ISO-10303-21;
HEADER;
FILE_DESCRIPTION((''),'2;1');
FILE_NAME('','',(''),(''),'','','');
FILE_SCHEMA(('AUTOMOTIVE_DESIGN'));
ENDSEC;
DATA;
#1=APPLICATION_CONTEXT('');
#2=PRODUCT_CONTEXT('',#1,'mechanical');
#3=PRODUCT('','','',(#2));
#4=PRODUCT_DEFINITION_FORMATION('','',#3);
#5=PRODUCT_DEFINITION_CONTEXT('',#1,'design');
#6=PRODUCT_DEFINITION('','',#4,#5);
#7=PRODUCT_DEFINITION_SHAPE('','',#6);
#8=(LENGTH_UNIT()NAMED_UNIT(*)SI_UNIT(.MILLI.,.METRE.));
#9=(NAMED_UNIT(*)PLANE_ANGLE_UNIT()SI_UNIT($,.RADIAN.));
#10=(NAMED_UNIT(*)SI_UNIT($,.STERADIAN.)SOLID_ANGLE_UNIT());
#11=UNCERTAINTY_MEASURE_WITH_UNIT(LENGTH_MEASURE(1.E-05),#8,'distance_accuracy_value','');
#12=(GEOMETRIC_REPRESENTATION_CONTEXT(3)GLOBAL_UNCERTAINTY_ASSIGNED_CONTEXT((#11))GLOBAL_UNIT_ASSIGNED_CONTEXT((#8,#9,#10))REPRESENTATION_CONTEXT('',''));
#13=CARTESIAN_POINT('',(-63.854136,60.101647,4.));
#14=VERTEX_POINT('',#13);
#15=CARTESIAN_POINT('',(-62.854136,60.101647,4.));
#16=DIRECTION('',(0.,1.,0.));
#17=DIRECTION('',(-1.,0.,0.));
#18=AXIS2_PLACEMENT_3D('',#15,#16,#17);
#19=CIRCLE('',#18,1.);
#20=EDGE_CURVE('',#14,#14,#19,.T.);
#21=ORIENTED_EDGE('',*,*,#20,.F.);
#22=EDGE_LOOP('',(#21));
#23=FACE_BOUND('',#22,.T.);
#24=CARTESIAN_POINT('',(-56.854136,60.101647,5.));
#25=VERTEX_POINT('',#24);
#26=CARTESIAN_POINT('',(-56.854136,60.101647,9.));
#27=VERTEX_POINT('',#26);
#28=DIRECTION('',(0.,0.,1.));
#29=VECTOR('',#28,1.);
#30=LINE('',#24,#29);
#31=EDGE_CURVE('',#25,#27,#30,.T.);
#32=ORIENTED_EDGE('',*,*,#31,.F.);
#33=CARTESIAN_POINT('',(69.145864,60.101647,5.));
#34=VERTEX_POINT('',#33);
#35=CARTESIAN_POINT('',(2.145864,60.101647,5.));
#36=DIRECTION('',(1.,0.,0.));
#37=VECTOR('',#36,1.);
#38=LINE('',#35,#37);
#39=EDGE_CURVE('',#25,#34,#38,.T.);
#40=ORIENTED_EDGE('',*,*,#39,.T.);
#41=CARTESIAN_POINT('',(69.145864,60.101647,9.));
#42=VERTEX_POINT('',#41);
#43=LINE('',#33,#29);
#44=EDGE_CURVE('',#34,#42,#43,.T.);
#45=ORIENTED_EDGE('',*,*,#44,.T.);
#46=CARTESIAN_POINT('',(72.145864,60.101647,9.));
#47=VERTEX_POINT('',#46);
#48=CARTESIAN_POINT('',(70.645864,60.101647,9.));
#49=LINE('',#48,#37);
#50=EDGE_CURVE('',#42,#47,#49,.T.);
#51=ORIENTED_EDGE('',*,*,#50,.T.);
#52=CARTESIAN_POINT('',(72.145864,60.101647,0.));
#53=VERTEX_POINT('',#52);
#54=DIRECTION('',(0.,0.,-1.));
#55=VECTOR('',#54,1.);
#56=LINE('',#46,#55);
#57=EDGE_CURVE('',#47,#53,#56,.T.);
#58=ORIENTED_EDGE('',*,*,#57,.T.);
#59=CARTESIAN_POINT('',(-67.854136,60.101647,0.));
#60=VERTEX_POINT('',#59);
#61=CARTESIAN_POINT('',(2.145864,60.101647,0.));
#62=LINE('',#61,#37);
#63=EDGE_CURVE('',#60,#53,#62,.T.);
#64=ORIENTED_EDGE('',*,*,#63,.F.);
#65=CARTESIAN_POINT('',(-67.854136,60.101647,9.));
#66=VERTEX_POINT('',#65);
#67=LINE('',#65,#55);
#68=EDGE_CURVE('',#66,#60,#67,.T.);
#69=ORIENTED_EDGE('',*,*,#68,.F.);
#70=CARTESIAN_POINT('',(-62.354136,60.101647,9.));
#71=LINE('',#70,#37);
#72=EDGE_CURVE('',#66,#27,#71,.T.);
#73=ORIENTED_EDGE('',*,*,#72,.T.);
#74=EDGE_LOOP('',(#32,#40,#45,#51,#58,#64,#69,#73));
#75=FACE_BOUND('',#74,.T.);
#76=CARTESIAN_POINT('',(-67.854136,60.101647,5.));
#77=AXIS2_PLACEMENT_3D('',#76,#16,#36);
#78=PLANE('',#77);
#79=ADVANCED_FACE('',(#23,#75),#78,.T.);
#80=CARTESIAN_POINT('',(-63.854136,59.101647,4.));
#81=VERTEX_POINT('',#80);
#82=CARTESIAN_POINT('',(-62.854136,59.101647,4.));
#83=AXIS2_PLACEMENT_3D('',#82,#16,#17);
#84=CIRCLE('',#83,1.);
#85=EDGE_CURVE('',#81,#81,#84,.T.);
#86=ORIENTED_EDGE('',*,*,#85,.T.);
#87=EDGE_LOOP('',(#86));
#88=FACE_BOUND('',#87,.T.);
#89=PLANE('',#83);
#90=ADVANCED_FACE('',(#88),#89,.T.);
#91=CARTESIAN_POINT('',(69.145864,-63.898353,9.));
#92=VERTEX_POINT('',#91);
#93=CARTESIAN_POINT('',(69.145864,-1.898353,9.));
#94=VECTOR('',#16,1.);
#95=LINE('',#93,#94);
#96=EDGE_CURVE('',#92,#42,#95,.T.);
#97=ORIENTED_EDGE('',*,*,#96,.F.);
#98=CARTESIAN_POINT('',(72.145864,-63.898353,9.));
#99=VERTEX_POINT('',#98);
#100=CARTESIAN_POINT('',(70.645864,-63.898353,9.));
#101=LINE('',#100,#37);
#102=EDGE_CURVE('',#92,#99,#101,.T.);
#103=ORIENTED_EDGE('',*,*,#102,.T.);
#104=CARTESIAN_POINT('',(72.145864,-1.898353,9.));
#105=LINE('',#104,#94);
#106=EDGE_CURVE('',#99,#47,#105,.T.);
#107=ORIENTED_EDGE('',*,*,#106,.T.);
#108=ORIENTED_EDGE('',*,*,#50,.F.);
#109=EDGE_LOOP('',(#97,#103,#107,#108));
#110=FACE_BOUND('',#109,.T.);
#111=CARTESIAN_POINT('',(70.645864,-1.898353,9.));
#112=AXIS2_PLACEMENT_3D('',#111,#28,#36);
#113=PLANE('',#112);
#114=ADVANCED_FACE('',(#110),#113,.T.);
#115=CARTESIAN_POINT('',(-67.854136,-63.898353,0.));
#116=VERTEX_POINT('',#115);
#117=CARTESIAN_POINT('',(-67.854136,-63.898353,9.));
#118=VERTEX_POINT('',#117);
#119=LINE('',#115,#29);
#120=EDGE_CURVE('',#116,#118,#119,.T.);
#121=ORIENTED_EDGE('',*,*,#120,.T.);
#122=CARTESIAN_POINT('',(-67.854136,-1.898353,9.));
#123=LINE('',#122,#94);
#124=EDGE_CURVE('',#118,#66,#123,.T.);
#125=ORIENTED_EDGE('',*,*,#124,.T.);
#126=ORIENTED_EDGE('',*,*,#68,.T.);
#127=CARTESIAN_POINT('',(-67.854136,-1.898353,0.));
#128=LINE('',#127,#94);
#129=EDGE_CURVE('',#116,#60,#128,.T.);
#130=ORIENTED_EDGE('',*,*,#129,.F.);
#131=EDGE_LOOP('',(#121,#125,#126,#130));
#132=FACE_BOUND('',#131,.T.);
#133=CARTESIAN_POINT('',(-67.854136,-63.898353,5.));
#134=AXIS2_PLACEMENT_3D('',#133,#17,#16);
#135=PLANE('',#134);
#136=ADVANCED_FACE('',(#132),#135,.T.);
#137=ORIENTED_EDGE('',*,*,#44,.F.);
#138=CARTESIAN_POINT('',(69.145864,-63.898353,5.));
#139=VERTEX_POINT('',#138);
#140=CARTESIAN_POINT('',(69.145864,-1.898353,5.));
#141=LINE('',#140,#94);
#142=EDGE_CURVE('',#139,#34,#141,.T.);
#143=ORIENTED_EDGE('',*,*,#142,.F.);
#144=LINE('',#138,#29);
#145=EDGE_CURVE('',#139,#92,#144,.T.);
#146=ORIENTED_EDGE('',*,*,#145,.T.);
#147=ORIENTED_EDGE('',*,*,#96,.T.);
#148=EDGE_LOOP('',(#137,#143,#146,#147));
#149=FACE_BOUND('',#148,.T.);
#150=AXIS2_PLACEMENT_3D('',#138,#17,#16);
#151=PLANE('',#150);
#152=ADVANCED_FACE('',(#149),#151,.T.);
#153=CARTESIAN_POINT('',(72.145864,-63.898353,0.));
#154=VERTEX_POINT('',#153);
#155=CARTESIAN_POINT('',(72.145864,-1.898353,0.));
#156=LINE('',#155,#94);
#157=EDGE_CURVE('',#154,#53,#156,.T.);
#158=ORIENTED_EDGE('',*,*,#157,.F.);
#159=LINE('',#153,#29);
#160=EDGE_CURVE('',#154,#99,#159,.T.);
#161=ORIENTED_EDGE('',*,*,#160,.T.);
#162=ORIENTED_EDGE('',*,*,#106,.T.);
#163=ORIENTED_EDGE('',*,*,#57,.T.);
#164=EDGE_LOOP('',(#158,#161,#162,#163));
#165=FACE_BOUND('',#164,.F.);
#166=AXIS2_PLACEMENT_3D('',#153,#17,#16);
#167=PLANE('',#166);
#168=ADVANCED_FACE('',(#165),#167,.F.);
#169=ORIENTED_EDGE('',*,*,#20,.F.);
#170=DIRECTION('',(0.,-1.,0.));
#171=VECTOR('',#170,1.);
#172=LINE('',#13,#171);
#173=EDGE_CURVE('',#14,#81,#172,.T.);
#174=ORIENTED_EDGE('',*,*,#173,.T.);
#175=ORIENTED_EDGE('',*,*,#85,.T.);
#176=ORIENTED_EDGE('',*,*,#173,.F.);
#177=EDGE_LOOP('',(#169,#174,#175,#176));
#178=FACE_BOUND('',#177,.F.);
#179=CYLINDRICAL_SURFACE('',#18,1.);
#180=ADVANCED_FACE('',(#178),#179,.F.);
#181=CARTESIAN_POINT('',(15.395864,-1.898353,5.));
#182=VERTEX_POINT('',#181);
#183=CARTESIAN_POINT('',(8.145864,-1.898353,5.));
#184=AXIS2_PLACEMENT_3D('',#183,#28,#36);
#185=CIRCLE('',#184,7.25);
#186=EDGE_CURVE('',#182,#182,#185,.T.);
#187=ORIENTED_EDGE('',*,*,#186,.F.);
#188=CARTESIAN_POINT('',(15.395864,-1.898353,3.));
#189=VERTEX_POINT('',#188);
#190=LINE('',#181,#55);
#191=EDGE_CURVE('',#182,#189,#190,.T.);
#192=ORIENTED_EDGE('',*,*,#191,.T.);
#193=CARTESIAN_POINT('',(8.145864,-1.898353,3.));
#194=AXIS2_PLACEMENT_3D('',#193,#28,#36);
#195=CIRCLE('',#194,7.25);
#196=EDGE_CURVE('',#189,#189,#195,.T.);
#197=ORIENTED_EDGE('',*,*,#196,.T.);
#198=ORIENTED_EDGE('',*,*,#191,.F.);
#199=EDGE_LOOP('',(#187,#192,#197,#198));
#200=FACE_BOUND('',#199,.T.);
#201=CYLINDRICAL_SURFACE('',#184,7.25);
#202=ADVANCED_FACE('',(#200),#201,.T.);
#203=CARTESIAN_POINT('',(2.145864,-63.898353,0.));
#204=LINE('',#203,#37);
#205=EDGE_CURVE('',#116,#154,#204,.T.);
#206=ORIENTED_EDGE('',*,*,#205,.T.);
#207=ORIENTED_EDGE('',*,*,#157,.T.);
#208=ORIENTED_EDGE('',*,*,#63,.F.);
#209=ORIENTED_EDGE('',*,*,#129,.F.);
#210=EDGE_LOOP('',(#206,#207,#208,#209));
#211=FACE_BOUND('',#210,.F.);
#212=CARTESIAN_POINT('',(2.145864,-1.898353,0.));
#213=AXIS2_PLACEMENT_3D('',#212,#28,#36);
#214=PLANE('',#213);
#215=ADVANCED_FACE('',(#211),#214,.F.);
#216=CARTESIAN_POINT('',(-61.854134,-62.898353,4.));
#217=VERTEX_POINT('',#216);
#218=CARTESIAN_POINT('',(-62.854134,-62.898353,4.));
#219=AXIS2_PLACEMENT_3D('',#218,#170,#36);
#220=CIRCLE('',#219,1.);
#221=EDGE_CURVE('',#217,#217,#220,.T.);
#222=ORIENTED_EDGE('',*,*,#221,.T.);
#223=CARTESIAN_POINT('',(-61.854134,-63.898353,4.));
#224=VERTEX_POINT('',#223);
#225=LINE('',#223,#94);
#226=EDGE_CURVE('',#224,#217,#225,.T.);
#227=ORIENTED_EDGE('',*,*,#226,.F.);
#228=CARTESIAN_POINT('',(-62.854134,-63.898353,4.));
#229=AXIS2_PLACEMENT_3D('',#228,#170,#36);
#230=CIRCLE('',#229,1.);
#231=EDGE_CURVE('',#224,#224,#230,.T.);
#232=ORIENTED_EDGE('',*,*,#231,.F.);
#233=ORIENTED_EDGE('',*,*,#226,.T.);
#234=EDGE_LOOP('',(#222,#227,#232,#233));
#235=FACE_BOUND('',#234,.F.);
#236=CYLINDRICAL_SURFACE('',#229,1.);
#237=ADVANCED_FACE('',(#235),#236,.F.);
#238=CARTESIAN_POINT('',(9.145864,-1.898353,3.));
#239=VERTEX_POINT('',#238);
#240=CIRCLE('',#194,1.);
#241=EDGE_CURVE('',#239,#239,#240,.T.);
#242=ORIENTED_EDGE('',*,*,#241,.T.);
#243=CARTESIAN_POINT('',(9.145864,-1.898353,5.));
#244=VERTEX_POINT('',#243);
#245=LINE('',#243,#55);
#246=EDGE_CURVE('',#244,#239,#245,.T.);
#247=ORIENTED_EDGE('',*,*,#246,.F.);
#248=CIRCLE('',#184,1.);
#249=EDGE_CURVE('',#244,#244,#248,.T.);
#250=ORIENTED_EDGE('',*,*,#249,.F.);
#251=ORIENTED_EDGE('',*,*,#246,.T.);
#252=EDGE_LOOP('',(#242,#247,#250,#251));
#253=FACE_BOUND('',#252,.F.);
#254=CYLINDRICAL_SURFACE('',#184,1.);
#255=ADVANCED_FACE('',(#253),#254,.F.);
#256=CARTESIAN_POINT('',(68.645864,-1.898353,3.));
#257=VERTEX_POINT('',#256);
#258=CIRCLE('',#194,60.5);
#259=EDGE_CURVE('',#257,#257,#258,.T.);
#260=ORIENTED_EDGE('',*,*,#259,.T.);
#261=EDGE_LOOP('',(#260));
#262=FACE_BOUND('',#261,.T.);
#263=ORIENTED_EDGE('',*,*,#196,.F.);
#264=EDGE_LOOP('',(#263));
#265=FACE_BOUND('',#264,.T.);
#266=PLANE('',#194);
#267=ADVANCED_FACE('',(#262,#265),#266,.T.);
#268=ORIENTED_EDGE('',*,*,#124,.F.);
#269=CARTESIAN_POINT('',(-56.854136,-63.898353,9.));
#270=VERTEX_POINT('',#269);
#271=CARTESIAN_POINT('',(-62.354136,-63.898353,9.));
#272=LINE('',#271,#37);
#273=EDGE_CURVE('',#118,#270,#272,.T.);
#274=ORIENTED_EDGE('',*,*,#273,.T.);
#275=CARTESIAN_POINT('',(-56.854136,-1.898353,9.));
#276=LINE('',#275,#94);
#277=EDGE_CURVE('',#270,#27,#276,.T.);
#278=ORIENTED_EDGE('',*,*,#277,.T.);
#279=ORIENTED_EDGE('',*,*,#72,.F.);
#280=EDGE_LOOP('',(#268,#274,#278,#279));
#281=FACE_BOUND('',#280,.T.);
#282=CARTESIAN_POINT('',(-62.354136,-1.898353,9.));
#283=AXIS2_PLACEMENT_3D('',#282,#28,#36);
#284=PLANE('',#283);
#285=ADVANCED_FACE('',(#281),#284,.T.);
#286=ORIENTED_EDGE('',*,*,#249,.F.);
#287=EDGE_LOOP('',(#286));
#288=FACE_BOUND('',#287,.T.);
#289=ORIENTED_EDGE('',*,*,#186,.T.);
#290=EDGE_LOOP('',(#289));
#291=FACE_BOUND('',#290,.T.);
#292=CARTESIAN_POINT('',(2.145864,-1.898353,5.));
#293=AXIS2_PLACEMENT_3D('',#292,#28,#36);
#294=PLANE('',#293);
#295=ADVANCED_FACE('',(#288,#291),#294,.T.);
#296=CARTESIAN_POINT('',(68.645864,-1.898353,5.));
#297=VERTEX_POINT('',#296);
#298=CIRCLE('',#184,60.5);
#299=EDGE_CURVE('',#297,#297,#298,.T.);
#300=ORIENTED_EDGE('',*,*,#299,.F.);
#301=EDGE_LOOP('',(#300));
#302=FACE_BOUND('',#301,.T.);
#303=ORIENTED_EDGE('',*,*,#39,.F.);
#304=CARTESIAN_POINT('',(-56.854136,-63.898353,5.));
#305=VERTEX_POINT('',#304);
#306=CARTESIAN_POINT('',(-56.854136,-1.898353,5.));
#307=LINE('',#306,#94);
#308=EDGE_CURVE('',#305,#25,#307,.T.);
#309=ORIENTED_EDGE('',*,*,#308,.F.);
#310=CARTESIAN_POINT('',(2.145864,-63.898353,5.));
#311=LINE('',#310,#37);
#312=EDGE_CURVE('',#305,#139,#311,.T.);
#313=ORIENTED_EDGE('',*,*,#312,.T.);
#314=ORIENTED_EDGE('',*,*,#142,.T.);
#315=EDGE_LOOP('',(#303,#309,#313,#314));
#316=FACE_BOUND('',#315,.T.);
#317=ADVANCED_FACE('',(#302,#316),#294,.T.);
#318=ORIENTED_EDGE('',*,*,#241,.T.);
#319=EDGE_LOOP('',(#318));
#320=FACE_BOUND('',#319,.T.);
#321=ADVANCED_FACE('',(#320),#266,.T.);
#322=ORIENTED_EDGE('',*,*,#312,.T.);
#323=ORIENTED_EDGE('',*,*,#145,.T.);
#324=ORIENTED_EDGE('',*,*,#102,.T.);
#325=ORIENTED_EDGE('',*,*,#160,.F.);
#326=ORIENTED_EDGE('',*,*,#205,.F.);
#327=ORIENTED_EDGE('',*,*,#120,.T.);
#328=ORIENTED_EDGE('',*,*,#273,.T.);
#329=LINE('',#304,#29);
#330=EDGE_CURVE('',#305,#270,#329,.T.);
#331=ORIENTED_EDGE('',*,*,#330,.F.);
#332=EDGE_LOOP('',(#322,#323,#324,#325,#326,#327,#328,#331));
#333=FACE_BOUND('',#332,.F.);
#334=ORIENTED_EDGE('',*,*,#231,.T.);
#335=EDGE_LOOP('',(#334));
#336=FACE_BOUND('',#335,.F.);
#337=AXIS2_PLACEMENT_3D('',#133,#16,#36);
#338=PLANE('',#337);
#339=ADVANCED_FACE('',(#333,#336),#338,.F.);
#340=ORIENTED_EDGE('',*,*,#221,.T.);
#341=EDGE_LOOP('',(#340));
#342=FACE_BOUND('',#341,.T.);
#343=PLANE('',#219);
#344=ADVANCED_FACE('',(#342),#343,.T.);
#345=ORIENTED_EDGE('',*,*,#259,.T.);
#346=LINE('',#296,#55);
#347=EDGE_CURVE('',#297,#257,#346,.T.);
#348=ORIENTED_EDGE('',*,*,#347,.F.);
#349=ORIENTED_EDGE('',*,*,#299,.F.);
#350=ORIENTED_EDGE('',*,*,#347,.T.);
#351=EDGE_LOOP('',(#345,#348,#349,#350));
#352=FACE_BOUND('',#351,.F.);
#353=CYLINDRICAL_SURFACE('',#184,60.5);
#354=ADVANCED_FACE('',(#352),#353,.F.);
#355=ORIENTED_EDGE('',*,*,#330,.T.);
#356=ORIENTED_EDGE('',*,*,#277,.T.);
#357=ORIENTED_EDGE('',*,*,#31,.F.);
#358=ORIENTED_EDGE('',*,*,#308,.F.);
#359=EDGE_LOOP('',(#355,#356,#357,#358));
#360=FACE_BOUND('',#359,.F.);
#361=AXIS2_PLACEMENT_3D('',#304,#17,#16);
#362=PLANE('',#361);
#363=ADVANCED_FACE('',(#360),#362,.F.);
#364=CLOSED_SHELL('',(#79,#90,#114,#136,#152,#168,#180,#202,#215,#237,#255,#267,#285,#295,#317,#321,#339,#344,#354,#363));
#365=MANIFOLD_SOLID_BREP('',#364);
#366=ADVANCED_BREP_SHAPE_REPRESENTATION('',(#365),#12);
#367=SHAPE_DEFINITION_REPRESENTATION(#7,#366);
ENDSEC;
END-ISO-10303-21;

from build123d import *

# Parameters (mm, degrees)
F0_W     = 140
F0_H     = 124
F1_DEPTH = 5
F2_W     = 11
F2_H     = 124
F2_W_2   = 3
F3_DEPTH = 4
F4_R     = 60.5
F4_R_2   = 7.25
F4_R_3   = 1
F5_DEPTH = 2
F6_R     = 1
F7_DEPTH = 1
F8_R     = 1
F9_DEPTH = 1


with BuildPart() as f1:
    # F0 (on Top) → F1 (new body)
    with BuildSketch(Plane.XY):
        with Locations((2.145864, -1.898353)):
            Rectangle(F0_W, F0_H)
    extrude(amount=F1_DEPTH)

    # F2 (on face) → F3 (join)
    with BuildSketch(Plane.XY.offset(5)):
        with Locations((-62.354136, -1.898353)):
            Rectangle(F2_W, F2_H)
        with Locations((70.645864, -1.898353)):
            Rectangle(F2_W_2, F2_H)
    extrude(amount=F3_DEPTH)

    # F4 (on face) → F5 (cut)
    with BuildSketch(Plane.XY.offset(5)):
        with Locations((8.145864, -1.898353)):
            Circle(F4_R)
        with Locations((8.145864, -1.898353)):
            Circle(F4_R_2, mode=Mode.SUBTRACT)
        with Locations((8.145864, -1.898353)):
            Circle(F4_R_3)
    extrude(amount=-F5_DEPTH, mode=Mode.SUBTRACT)

    # F6 (on face) → F7 (cut)
    with BuildSketch(Plane.XZ.offset(63.898353)):
        with Locations((-62.854134, 4)):
            Circle(F6_R)
    extrude(amount=-F7_DEPTH, mode=Mode.SUBTRACT)

    # F8 (on face) → F9 (cut)
    with BuildSketch(Plane(origin=(0, 60.101647, 0), x_dir=(-1, 0, 0), z_dir=(0, 1, 0))):
        with Locations((62.854136, 4)):
            Circle(F8_R)
    extrude(amount=-F9_DEPTH, mode=Mode.SUBTRACT)


solid = f1.part
